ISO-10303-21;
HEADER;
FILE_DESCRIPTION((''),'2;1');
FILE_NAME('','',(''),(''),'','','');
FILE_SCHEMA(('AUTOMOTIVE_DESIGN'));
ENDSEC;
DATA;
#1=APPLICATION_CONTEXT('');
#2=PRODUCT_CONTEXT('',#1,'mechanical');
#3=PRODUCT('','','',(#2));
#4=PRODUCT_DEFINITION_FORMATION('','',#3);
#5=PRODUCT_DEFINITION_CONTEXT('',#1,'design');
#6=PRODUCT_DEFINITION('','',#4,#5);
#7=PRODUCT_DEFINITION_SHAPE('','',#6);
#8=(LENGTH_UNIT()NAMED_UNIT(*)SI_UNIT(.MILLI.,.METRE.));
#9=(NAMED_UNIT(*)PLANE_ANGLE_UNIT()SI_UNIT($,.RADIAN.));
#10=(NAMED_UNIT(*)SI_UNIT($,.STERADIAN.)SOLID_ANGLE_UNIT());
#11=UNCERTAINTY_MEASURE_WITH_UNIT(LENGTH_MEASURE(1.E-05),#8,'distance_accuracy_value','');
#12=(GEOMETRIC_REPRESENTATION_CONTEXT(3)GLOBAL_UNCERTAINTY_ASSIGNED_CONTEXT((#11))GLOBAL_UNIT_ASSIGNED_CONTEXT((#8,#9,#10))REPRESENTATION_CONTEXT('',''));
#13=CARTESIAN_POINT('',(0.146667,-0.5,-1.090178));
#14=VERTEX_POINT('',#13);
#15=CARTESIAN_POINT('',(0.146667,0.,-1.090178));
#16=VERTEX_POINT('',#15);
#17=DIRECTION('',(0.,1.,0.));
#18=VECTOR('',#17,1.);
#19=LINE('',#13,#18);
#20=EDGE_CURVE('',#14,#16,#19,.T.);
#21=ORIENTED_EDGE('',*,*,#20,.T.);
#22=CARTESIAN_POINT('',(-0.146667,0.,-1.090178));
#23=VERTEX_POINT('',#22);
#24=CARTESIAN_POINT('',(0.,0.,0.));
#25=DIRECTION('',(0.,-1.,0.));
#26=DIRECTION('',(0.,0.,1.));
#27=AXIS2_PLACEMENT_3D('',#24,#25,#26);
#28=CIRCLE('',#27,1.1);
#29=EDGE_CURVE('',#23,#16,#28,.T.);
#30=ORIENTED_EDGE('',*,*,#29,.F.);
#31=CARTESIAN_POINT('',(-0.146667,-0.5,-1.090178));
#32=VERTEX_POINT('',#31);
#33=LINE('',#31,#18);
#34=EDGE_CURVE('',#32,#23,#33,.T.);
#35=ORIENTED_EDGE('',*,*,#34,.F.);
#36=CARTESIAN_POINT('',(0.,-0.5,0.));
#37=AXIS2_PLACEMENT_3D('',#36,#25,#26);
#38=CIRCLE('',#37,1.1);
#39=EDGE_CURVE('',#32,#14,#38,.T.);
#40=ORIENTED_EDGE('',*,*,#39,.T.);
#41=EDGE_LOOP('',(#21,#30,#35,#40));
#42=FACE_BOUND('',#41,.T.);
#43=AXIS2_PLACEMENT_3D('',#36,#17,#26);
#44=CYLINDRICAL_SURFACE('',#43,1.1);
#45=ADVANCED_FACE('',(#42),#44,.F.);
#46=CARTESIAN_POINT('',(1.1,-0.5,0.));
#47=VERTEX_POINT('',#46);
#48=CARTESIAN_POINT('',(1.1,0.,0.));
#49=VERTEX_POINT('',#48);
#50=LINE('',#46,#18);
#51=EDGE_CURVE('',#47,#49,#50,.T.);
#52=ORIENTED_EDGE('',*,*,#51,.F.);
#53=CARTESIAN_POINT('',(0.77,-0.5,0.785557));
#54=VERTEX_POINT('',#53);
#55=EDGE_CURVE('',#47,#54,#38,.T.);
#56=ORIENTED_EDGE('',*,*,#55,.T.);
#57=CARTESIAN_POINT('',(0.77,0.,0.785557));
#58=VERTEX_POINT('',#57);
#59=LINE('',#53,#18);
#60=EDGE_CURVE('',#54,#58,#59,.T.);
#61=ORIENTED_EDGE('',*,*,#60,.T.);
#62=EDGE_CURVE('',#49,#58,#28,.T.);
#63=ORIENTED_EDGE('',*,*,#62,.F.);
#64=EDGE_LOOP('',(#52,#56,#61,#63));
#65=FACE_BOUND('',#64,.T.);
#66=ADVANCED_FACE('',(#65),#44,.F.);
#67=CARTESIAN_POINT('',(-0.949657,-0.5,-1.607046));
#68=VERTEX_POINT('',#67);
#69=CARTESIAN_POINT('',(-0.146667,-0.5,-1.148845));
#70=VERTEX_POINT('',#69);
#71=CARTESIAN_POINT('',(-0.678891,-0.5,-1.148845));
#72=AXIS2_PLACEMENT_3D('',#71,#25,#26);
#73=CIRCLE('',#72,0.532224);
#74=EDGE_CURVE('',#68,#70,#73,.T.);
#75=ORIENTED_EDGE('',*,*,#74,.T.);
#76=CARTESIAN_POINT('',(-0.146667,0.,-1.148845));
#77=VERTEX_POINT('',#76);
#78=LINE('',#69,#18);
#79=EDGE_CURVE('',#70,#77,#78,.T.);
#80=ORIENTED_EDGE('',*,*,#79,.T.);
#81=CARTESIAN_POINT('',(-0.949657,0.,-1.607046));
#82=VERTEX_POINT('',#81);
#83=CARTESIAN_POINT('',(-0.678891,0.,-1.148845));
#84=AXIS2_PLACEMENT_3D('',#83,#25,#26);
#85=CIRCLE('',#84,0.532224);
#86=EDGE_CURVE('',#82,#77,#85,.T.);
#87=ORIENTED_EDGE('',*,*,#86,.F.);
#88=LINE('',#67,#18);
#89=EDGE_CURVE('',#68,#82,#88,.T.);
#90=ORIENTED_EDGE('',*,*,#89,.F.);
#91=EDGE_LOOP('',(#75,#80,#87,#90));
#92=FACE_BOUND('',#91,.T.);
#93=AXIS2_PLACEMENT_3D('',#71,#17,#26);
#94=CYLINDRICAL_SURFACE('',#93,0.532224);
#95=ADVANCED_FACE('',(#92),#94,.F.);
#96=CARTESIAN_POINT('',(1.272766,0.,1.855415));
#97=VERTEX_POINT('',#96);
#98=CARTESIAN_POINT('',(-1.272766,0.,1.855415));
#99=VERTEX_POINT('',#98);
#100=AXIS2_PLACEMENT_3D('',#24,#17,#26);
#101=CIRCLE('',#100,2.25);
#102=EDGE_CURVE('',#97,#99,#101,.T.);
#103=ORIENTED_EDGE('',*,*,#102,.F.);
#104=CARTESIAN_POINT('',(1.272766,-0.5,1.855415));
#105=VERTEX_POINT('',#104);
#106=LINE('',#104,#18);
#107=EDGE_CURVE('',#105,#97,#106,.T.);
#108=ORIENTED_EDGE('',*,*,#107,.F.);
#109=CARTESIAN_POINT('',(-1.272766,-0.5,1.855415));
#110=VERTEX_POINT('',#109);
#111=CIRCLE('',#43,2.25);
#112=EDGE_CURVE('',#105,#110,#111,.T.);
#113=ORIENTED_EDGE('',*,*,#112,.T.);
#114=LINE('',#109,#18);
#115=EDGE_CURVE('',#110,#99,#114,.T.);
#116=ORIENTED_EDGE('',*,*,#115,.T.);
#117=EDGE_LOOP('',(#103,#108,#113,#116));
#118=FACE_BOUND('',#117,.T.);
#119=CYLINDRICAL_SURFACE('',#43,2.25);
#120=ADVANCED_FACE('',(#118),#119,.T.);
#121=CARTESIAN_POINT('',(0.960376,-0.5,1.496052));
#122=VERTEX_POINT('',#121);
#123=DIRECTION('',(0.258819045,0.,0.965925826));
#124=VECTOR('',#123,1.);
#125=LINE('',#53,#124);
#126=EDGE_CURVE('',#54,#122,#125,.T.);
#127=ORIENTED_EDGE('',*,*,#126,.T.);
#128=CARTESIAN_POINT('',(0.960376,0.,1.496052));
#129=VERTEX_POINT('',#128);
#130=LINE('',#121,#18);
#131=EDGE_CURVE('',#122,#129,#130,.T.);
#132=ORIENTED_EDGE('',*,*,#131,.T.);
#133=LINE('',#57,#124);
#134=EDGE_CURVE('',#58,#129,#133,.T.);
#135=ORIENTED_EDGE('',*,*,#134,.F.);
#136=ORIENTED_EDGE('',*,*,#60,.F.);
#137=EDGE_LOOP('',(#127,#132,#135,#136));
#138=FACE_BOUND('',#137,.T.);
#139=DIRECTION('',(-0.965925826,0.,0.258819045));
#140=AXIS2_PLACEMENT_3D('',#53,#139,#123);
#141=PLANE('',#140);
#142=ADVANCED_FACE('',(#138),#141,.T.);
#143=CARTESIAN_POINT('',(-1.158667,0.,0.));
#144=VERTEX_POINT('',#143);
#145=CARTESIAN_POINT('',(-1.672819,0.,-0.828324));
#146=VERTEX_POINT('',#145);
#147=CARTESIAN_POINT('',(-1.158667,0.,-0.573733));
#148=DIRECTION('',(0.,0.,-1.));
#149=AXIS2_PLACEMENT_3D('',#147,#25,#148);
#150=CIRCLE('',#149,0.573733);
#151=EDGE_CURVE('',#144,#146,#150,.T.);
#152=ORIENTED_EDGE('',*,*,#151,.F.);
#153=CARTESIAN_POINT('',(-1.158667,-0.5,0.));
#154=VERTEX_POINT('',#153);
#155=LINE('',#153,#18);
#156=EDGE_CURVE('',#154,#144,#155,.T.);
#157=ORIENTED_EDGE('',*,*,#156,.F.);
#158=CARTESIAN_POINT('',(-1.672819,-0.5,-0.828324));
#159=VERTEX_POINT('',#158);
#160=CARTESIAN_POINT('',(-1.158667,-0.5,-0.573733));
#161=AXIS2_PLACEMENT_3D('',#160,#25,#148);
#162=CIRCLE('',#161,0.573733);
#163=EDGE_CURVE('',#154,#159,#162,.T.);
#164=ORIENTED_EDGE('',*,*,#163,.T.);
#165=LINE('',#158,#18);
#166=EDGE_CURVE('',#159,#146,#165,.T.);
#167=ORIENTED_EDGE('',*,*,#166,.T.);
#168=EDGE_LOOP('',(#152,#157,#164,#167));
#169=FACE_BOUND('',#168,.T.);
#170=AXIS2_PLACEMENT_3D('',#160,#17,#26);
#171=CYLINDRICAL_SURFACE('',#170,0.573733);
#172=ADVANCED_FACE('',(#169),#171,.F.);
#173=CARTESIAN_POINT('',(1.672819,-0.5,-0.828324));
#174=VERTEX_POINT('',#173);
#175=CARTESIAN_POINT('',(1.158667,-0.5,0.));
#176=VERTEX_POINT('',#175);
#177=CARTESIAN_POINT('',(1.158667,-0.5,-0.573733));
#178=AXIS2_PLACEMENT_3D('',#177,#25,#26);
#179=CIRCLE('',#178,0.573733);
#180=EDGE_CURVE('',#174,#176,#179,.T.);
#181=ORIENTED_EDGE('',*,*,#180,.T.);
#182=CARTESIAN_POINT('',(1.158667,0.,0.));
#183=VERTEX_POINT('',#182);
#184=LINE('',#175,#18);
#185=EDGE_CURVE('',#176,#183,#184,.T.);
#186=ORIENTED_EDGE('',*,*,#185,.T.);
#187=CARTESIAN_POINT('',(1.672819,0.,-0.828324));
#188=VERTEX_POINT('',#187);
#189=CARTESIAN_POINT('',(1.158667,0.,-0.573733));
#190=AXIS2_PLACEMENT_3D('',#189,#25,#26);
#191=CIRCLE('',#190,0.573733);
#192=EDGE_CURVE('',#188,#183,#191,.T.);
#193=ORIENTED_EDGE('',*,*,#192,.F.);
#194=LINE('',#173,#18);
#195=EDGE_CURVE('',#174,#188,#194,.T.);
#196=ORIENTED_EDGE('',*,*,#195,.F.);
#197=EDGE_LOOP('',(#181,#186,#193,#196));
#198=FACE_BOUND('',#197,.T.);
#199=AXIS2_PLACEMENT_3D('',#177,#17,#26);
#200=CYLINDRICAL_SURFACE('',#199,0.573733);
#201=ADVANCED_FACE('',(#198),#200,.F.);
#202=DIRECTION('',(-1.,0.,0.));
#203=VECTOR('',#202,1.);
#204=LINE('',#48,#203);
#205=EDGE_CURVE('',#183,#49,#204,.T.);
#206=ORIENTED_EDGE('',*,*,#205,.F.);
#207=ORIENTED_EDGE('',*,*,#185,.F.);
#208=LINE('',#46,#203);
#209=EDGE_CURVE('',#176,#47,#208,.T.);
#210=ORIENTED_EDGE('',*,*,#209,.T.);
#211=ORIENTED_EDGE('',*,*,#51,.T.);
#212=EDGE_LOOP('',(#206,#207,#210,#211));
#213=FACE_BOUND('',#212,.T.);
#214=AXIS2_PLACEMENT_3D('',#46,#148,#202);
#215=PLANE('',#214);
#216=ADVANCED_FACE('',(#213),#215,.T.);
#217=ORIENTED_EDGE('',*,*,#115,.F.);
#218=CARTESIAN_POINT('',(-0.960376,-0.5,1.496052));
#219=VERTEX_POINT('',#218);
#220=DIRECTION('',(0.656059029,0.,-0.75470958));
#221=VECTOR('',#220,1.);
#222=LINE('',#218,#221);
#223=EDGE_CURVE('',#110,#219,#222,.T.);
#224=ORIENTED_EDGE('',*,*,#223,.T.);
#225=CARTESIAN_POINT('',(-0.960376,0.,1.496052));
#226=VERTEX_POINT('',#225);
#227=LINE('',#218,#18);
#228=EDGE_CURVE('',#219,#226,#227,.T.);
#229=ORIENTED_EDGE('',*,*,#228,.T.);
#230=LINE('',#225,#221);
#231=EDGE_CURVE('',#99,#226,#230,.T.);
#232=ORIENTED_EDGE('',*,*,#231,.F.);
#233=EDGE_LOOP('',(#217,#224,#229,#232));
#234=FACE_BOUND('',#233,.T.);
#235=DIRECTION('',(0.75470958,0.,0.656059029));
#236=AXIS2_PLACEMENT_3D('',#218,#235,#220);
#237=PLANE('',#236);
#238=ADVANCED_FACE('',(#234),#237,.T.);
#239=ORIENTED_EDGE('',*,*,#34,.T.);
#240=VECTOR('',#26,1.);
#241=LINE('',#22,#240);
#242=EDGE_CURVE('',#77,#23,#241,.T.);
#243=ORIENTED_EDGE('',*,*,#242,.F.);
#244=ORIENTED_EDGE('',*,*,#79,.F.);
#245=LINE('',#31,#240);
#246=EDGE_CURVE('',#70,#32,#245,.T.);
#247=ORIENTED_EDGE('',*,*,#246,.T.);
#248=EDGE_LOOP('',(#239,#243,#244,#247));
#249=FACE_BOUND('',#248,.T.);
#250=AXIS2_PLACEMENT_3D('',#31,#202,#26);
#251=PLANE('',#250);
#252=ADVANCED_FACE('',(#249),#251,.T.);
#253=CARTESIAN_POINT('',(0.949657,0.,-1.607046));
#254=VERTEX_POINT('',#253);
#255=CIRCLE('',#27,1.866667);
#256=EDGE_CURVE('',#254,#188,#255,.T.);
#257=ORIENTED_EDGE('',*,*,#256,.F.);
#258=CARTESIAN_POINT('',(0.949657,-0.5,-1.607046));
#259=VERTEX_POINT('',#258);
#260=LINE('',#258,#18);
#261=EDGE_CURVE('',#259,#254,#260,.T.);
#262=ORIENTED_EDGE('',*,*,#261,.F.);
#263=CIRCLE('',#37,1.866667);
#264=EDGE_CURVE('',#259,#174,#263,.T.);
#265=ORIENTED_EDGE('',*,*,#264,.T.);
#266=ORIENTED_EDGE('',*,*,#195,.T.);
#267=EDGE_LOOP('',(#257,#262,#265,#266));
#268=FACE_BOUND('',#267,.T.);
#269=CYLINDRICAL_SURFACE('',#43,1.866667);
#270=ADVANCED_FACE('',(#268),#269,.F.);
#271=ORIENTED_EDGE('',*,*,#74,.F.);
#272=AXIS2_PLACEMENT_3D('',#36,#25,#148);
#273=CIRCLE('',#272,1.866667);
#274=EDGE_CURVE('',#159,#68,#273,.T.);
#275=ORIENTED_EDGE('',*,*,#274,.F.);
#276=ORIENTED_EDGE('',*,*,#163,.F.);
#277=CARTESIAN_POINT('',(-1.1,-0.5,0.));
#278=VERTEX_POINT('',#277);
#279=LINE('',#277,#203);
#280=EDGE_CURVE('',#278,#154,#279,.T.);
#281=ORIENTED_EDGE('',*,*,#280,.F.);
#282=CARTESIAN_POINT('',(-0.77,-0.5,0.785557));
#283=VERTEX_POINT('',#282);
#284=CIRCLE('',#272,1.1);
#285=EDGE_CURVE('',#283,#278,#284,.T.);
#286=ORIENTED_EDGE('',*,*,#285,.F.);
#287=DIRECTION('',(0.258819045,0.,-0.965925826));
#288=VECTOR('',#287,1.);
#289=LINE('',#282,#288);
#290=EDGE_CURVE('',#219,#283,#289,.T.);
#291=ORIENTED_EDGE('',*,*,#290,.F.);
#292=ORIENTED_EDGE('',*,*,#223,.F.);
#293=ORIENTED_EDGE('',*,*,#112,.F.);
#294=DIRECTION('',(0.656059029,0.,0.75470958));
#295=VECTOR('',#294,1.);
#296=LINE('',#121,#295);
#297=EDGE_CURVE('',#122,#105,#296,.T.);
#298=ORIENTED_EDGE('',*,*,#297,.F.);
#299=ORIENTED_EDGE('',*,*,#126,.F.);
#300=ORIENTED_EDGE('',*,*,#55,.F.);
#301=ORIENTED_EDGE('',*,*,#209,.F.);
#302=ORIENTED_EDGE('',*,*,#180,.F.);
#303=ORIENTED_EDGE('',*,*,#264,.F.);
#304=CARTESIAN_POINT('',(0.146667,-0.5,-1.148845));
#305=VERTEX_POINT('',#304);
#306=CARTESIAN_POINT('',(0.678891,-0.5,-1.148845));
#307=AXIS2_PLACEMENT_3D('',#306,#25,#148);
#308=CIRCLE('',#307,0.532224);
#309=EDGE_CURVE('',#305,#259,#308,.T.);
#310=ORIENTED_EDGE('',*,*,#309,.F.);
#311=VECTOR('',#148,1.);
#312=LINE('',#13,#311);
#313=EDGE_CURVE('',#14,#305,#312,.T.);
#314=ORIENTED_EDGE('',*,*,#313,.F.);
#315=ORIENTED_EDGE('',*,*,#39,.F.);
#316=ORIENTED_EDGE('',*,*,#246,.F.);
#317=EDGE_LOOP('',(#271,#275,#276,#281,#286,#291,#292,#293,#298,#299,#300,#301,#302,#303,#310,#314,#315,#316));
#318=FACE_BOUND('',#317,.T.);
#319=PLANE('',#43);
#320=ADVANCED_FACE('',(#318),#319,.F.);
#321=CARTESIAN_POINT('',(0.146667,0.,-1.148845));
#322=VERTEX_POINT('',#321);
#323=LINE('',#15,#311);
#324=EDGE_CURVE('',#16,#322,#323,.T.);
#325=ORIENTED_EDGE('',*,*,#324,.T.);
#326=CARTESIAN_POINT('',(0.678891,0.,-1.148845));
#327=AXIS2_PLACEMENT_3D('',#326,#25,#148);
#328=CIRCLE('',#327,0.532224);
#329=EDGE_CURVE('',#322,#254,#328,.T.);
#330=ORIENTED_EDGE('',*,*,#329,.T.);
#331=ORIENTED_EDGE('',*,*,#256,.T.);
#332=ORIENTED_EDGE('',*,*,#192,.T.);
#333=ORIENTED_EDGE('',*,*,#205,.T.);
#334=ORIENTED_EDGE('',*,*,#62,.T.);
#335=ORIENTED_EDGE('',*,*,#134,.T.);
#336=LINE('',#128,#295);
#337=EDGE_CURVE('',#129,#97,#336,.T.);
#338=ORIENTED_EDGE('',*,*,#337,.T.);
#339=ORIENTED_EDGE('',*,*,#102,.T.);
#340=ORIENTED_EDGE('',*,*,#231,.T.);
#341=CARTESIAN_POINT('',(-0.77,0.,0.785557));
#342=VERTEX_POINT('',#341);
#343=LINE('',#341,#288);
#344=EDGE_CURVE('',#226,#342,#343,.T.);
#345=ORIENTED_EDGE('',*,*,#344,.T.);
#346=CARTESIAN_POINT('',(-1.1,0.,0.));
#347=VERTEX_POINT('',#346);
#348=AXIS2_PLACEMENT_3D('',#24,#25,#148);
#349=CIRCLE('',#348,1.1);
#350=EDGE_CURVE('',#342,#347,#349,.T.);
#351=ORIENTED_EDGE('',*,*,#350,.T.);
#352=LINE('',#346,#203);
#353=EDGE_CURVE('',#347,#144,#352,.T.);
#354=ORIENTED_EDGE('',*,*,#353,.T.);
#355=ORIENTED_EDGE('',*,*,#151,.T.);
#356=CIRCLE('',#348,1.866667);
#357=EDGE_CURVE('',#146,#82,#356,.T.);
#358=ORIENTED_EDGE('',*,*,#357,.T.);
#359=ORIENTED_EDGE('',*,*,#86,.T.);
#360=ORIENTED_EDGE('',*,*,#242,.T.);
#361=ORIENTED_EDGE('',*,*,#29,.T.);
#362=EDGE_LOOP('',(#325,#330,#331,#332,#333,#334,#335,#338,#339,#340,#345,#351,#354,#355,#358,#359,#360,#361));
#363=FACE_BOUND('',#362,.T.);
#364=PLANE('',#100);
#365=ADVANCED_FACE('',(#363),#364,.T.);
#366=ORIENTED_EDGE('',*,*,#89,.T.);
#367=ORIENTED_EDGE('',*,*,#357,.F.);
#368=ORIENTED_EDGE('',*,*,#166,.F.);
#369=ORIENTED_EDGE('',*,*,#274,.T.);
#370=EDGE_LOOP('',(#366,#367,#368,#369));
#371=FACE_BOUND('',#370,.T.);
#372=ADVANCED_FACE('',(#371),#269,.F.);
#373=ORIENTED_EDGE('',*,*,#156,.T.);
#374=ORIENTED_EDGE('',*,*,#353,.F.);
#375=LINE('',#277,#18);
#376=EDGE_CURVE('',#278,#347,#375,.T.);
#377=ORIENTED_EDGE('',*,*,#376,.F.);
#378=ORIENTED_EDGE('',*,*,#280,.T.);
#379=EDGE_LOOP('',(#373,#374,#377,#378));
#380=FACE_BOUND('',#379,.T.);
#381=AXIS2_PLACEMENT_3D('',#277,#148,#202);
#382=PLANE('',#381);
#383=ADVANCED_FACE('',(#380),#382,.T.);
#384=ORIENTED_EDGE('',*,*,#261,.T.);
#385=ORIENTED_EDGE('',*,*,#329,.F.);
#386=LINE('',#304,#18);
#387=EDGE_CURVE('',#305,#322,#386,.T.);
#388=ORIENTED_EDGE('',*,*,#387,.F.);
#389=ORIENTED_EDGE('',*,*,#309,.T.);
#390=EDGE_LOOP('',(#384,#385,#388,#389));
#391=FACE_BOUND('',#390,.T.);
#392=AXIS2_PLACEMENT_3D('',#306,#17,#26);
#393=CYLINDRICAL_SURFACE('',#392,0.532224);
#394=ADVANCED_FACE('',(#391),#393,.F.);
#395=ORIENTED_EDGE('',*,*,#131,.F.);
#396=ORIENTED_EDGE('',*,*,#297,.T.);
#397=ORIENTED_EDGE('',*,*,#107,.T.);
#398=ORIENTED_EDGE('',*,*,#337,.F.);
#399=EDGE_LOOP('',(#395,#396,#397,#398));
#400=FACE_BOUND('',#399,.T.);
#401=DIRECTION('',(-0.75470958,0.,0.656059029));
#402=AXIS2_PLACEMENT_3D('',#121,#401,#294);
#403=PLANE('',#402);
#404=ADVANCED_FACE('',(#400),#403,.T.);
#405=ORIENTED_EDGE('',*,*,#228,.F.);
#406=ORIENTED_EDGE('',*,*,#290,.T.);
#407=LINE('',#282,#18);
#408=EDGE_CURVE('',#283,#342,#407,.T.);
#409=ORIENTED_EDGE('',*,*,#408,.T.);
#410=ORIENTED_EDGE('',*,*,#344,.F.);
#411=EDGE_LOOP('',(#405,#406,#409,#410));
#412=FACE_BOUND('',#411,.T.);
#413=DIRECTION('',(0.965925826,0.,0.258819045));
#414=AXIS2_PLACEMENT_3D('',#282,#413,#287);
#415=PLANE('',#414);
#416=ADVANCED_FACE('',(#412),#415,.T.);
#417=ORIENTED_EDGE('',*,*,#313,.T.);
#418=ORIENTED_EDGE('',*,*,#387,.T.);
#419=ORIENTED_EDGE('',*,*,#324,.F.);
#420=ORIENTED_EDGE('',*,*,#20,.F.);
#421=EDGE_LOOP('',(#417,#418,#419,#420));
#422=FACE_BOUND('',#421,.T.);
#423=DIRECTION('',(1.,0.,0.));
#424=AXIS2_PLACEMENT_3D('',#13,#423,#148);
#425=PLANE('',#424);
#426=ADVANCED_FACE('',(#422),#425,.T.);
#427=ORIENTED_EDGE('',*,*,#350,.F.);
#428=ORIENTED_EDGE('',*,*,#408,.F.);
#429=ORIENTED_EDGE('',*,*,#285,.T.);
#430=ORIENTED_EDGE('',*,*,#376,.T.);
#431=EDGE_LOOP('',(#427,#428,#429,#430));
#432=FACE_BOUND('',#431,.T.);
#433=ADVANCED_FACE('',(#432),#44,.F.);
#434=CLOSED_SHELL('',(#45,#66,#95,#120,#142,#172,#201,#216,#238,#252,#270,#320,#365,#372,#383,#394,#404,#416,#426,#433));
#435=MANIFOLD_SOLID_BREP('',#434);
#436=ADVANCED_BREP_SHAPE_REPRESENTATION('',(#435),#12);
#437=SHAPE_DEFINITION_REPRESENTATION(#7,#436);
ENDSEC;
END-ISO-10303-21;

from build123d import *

# Parameters (mm, degrees)
BASE_EXTRUDE_DEPTH = 0.5


with BuildPart() as part:
    # Sketch1 → Base-Extrude (new body)
    with BuildSketch(Plane(origin=(0, 0, 0), x_dir=(1, 0, 0), z_dir=(0, 1, 0))):
        with BuildLine():
            Line((0.77, -0.785557127), (0.960376464, -1.496051762))
            Line((0.960376464, -1.496051762), (1.272766377, -1.85541525))
            ThreePointArc((1.272766377, -1.85541525), (0, 2.25), (-1.272766377, -1.85541525))
            Line((-1.272766377, -1.85541525), (-0.960376464, -1.496051762))
            Line((-0.960376464, -1.496051762), (-0.77, -0.785557127))
            ThreePointArc((-0.77, -0.785557127), (-1.01414989, -0.426028168), (-1.1, 0))
            Line((-1.1, 0), (-1.158666667, 0))
            ThreePointArc((-1.158666667, 0), (-1.646127767, 0.271158788), (-1.672819156, 0.828323919))
            ThreePointArc((-1.672819156, 0.828323919), (-1.367825606, 1.270235236), (-0.949656695, 1.607045925))
            ThreePointArc((-0.949656695, 1.607045925), (-0.41511596, 1.61110607), (-0.146666667, 1.148845041))
            Line((-0.146666667, 1.148845041), (-0.146666667, 1.090178375))
            ThreePointArc((-0.146666667, 1.090178375), (0, 1.1), (0.146666667, 1.090178375))
            Line((0.146666667, 1.090178375), (0.146666667, 1.148845041))
            ThreePointArc((0.146666667, 1.148845041), (0.41511596, 1.61110607), (0.949656695, 1.607045925))
            ThreePointArc((0.949656695, 1.607045925), (1.367825606, 1.270235236), (1.672819156, 0.828323919))
            ThreePointArc((1.672819156, 0.828323919), (1.646127767, 0.271158788), (1.158666667, 0))
            Line((1.158666667, 0), (1.1, 0))
            ThreePointArc((1.1, 0), (1.01414989, -0.426028168), (0.77, -0.785557127))
        make_face()
    extrude(amount=-BASE_EXTRUDE_DEPTH)


solid = part.part
